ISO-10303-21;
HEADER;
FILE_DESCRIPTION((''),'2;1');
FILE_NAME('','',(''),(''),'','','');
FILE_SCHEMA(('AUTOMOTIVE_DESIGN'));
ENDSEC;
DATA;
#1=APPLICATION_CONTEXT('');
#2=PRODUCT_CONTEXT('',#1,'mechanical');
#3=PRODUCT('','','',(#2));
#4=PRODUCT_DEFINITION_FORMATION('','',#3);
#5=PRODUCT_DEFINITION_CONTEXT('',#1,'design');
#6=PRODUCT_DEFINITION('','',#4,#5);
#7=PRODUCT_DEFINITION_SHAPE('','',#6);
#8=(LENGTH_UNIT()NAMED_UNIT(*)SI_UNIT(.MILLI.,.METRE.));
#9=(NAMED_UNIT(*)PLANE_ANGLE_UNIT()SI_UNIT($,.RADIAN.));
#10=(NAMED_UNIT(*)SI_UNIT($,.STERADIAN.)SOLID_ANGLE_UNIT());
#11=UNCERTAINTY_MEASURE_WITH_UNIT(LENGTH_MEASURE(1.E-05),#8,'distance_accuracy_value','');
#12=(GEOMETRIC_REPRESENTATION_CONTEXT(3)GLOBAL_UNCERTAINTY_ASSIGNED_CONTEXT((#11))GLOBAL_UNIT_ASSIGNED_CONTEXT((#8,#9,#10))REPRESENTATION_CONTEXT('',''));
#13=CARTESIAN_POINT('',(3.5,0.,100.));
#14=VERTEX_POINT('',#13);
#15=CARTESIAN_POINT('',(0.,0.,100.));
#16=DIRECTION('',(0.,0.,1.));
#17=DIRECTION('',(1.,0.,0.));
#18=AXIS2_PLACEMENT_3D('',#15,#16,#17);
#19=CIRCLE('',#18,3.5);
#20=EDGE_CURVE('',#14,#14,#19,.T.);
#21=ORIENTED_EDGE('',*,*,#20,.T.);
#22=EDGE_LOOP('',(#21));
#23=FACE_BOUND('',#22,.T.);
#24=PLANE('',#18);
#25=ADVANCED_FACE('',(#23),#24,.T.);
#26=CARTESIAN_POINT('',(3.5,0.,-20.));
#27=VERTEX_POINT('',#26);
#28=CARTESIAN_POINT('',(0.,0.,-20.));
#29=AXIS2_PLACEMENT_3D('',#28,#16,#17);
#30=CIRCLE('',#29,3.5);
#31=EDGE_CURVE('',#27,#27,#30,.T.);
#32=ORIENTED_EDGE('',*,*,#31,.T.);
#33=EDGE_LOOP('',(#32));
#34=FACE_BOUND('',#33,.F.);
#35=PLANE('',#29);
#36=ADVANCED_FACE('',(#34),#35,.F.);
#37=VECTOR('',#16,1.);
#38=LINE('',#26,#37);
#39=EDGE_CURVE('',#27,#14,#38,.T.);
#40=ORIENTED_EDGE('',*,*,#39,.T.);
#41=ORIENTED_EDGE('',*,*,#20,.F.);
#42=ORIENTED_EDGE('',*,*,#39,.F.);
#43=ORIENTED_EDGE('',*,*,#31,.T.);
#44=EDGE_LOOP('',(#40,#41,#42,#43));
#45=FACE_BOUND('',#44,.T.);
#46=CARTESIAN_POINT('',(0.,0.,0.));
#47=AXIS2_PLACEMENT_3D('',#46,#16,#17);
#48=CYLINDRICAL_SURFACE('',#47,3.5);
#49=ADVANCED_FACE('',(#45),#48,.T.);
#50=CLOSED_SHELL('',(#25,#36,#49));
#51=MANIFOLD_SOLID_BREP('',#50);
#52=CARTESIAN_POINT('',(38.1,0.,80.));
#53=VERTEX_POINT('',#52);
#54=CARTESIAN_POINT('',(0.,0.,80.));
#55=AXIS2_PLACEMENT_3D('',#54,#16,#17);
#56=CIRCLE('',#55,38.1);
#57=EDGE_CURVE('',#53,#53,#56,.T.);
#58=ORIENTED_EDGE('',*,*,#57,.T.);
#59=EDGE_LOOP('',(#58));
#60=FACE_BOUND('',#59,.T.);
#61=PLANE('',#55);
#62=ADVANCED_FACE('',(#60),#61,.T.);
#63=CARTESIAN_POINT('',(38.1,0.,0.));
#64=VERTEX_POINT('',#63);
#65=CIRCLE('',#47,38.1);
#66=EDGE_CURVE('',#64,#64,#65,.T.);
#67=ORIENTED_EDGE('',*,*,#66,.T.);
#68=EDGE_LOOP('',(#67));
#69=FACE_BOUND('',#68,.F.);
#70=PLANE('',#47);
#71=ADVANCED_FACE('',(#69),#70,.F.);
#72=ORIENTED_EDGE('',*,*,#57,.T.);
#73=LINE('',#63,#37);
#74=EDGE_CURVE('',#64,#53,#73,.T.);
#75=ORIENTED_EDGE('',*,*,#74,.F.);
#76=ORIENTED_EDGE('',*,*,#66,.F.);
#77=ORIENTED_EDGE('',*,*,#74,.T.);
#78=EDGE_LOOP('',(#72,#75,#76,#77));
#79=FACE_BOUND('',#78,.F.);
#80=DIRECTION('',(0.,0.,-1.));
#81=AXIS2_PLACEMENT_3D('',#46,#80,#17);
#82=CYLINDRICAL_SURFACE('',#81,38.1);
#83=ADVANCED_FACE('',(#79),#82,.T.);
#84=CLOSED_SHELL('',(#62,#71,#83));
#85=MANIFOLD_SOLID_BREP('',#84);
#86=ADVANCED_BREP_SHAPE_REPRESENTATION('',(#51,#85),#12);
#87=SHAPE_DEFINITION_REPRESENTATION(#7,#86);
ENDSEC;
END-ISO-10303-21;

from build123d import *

# Parameters (mm, degrees)
F0_R          = 38.1
F1_DEPTH      = 80
F2_R          = 3.5
F3_DEPTH      = 100
F3_DEPTH_BACK = 20


with BuildPart() as f1:
    # F0 (on Top) → F1 (new body)
    with BuildSketch(Plane.XY):
        Circle(F0_R)
    extrude(amount=F1_DEPTH)


with BuildPart() as f3:
    # F2 (on Top) → F3 (new body, two sides)
    with BuildSketch(Plane.XY) as f3_sk:
        Circle(F2_R)
    extrude(amount=F3_DEPTH)
    extrude(f3_sk.sketch, amount=-F3_DEPTH_BACK)


solid = Compound([f1.part, f3.part])
